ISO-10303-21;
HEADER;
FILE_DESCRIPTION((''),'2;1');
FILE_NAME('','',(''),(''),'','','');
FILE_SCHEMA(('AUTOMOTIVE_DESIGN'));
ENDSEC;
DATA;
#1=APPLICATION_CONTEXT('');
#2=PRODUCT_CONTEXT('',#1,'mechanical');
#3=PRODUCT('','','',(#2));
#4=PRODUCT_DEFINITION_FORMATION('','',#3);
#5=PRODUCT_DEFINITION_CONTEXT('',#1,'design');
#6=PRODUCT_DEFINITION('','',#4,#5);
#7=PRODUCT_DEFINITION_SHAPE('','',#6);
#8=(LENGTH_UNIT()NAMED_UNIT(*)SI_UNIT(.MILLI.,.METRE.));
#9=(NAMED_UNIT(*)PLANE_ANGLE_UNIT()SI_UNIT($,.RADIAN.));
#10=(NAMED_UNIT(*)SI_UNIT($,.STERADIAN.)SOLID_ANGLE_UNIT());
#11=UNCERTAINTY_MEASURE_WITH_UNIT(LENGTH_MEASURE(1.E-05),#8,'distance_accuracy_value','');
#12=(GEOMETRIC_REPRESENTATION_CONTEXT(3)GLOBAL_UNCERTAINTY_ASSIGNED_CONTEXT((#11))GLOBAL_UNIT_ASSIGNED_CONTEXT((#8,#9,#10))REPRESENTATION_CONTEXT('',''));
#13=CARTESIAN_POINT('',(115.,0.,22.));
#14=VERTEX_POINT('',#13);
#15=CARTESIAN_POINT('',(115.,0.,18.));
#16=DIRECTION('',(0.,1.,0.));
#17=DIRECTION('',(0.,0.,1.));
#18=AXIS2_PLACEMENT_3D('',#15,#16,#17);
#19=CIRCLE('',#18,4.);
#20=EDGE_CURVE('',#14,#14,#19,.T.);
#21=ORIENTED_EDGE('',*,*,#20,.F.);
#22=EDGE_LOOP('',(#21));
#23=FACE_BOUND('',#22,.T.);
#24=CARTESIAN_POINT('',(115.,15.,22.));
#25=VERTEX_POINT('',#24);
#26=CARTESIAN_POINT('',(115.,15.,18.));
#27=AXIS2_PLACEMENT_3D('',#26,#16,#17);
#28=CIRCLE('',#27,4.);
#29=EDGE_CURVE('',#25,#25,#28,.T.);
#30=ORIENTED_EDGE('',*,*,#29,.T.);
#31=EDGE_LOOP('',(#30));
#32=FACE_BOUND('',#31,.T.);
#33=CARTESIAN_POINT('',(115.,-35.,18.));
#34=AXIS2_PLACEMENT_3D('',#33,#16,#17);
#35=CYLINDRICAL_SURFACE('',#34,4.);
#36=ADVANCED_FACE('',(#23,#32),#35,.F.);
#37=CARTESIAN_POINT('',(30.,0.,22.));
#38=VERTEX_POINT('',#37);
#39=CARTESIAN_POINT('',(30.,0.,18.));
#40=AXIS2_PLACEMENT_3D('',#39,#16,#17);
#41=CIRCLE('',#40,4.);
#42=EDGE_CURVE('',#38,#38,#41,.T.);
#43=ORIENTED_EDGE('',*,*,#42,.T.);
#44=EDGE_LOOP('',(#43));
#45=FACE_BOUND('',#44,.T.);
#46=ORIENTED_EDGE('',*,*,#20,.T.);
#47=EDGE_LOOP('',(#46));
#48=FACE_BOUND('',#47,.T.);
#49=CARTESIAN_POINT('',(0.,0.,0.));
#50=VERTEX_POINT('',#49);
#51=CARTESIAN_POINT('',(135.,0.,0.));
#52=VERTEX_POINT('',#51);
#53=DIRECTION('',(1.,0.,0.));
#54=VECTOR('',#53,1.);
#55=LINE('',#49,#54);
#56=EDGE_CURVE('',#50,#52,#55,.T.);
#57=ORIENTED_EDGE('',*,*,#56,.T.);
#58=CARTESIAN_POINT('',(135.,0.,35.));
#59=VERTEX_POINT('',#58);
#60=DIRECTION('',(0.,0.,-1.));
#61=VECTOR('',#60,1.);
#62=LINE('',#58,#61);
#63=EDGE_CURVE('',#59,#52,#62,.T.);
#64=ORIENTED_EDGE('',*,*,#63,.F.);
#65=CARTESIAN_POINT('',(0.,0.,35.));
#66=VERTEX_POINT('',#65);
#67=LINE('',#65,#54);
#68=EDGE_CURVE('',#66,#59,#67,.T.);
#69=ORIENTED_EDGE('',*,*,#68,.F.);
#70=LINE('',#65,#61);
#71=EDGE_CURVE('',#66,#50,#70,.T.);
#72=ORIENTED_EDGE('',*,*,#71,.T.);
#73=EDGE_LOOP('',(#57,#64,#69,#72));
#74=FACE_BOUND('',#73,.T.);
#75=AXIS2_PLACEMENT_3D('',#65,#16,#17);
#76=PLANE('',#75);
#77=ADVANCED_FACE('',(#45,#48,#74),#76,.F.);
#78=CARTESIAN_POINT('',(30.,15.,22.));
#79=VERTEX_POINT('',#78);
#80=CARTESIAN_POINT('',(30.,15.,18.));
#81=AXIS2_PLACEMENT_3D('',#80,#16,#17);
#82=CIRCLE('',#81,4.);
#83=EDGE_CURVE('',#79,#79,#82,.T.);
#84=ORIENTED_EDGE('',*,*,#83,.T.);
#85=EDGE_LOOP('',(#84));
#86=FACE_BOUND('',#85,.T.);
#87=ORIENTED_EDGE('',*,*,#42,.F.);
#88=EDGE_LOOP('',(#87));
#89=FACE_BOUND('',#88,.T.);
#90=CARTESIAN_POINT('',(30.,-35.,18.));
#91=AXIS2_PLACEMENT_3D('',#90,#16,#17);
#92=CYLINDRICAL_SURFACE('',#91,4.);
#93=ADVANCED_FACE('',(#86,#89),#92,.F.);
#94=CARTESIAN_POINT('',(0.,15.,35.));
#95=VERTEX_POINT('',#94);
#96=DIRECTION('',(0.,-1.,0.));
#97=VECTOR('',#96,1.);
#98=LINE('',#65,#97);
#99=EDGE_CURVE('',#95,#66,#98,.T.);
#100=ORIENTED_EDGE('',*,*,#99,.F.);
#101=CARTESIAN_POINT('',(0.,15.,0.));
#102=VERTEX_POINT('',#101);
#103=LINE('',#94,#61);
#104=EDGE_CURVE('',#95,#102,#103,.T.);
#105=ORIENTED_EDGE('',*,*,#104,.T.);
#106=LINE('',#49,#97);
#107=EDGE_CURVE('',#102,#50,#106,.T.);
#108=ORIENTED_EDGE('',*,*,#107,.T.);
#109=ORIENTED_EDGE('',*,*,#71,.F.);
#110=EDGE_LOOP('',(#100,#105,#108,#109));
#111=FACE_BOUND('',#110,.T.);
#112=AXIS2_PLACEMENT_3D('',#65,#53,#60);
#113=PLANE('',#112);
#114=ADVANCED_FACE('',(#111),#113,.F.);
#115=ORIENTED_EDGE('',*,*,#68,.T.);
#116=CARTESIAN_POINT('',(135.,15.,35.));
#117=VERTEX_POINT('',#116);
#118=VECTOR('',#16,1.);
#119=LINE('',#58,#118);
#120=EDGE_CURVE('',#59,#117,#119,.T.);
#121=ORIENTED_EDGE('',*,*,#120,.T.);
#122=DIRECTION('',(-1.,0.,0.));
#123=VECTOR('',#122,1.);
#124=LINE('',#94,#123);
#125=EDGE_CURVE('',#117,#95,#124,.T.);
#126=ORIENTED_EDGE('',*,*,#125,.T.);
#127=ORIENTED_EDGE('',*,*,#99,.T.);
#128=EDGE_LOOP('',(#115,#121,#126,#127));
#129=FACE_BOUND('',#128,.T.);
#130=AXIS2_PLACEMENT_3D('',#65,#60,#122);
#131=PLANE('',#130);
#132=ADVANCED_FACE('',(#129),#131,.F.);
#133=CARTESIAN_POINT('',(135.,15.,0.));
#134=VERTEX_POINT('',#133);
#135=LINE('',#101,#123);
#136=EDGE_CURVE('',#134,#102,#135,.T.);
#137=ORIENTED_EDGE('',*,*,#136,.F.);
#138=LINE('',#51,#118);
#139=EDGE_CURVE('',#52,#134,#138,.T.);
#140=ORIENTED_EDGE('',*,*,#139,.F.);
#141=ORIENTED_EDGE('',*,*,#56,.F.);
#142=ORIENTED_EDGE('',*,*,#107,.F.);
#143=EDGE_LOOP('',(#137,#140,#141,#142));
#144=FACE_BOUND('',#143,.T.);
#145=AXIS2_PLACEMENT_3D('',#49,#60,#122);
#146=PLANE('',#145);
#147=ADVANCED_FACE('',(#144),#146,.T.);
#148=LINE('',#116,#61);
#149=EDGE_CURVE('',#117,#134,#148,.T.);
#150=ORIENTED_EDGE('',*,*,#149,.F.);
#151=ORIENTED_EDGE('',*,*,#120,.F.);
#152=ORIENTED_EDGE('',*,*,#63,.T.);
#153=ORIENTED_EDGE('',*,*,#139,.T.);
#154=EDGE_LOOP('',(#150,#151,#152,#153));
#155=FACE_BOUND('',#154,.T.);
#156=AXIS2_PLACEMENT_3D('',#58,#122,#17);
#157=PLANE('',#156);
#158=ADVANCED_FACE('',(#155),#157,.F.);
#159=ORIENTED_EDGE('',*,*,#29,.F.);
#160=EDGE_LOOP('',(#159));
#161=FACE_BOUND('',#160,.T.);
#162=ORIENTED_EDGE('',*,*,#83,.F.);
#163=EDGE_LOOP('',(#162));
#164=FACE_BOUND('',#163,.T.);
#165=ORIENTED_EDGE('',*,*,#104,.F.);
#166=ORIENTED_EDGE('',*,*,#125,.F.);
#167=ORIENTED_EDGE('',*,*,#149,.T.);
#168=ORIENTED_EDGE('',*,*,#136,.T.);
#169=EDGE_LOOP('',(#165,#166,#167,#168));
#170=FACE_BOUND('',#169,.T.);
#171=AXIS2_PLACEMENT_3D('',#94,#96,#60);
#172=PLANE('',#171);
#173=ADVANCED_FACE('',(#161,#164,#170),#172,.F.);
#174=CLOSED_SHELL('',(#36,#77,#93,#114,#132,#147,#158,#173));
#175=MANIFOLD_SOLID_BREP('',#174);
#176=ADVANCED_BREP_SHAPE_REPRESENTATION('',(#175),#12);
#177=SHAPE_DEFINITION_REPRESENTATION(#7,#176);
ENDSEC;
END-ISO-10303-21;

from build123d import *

# Parameters (mm, degrees)
SKETCH6_W           = 135
SKETCH6_H           = 15
BOSS_EXTRUDE1_DEPTH = 35
SKETCH7_R           = 4
CUT_EXTRUDE1_DEPTH  = 50


with BuildPart() as part:
    # Sketch6 → Boss-Extrude1 (new body)
    with BuildSketch(Plane.XY):
        with Locations((67.5, 7.5)):
            Rectangle(SKETCH6_W, SKETCH6_H)
    extrude(amount=BOSS_EXTRUDE1_DEPTH)

    # Sketch7 → Cut-Extrude1 (cut)
    with BuildSketch(Plane(origin=(0, 15, 0), x_dir=(1, 0, 0), z_dir=(0, 1, 0))):
        with Locations(Location((30, -18, 0), (0, 0, 270))):
            Circle(SKETCH7_R)
        with Locations(Location((115, -18, 0), (0, 0, 270))):
            Circle(SKETCH7_R)
    extrude(amount=-CUT_EXTRUDE1_DEPTH, mode=Mode.SUBTRACT)


solid = part.part
